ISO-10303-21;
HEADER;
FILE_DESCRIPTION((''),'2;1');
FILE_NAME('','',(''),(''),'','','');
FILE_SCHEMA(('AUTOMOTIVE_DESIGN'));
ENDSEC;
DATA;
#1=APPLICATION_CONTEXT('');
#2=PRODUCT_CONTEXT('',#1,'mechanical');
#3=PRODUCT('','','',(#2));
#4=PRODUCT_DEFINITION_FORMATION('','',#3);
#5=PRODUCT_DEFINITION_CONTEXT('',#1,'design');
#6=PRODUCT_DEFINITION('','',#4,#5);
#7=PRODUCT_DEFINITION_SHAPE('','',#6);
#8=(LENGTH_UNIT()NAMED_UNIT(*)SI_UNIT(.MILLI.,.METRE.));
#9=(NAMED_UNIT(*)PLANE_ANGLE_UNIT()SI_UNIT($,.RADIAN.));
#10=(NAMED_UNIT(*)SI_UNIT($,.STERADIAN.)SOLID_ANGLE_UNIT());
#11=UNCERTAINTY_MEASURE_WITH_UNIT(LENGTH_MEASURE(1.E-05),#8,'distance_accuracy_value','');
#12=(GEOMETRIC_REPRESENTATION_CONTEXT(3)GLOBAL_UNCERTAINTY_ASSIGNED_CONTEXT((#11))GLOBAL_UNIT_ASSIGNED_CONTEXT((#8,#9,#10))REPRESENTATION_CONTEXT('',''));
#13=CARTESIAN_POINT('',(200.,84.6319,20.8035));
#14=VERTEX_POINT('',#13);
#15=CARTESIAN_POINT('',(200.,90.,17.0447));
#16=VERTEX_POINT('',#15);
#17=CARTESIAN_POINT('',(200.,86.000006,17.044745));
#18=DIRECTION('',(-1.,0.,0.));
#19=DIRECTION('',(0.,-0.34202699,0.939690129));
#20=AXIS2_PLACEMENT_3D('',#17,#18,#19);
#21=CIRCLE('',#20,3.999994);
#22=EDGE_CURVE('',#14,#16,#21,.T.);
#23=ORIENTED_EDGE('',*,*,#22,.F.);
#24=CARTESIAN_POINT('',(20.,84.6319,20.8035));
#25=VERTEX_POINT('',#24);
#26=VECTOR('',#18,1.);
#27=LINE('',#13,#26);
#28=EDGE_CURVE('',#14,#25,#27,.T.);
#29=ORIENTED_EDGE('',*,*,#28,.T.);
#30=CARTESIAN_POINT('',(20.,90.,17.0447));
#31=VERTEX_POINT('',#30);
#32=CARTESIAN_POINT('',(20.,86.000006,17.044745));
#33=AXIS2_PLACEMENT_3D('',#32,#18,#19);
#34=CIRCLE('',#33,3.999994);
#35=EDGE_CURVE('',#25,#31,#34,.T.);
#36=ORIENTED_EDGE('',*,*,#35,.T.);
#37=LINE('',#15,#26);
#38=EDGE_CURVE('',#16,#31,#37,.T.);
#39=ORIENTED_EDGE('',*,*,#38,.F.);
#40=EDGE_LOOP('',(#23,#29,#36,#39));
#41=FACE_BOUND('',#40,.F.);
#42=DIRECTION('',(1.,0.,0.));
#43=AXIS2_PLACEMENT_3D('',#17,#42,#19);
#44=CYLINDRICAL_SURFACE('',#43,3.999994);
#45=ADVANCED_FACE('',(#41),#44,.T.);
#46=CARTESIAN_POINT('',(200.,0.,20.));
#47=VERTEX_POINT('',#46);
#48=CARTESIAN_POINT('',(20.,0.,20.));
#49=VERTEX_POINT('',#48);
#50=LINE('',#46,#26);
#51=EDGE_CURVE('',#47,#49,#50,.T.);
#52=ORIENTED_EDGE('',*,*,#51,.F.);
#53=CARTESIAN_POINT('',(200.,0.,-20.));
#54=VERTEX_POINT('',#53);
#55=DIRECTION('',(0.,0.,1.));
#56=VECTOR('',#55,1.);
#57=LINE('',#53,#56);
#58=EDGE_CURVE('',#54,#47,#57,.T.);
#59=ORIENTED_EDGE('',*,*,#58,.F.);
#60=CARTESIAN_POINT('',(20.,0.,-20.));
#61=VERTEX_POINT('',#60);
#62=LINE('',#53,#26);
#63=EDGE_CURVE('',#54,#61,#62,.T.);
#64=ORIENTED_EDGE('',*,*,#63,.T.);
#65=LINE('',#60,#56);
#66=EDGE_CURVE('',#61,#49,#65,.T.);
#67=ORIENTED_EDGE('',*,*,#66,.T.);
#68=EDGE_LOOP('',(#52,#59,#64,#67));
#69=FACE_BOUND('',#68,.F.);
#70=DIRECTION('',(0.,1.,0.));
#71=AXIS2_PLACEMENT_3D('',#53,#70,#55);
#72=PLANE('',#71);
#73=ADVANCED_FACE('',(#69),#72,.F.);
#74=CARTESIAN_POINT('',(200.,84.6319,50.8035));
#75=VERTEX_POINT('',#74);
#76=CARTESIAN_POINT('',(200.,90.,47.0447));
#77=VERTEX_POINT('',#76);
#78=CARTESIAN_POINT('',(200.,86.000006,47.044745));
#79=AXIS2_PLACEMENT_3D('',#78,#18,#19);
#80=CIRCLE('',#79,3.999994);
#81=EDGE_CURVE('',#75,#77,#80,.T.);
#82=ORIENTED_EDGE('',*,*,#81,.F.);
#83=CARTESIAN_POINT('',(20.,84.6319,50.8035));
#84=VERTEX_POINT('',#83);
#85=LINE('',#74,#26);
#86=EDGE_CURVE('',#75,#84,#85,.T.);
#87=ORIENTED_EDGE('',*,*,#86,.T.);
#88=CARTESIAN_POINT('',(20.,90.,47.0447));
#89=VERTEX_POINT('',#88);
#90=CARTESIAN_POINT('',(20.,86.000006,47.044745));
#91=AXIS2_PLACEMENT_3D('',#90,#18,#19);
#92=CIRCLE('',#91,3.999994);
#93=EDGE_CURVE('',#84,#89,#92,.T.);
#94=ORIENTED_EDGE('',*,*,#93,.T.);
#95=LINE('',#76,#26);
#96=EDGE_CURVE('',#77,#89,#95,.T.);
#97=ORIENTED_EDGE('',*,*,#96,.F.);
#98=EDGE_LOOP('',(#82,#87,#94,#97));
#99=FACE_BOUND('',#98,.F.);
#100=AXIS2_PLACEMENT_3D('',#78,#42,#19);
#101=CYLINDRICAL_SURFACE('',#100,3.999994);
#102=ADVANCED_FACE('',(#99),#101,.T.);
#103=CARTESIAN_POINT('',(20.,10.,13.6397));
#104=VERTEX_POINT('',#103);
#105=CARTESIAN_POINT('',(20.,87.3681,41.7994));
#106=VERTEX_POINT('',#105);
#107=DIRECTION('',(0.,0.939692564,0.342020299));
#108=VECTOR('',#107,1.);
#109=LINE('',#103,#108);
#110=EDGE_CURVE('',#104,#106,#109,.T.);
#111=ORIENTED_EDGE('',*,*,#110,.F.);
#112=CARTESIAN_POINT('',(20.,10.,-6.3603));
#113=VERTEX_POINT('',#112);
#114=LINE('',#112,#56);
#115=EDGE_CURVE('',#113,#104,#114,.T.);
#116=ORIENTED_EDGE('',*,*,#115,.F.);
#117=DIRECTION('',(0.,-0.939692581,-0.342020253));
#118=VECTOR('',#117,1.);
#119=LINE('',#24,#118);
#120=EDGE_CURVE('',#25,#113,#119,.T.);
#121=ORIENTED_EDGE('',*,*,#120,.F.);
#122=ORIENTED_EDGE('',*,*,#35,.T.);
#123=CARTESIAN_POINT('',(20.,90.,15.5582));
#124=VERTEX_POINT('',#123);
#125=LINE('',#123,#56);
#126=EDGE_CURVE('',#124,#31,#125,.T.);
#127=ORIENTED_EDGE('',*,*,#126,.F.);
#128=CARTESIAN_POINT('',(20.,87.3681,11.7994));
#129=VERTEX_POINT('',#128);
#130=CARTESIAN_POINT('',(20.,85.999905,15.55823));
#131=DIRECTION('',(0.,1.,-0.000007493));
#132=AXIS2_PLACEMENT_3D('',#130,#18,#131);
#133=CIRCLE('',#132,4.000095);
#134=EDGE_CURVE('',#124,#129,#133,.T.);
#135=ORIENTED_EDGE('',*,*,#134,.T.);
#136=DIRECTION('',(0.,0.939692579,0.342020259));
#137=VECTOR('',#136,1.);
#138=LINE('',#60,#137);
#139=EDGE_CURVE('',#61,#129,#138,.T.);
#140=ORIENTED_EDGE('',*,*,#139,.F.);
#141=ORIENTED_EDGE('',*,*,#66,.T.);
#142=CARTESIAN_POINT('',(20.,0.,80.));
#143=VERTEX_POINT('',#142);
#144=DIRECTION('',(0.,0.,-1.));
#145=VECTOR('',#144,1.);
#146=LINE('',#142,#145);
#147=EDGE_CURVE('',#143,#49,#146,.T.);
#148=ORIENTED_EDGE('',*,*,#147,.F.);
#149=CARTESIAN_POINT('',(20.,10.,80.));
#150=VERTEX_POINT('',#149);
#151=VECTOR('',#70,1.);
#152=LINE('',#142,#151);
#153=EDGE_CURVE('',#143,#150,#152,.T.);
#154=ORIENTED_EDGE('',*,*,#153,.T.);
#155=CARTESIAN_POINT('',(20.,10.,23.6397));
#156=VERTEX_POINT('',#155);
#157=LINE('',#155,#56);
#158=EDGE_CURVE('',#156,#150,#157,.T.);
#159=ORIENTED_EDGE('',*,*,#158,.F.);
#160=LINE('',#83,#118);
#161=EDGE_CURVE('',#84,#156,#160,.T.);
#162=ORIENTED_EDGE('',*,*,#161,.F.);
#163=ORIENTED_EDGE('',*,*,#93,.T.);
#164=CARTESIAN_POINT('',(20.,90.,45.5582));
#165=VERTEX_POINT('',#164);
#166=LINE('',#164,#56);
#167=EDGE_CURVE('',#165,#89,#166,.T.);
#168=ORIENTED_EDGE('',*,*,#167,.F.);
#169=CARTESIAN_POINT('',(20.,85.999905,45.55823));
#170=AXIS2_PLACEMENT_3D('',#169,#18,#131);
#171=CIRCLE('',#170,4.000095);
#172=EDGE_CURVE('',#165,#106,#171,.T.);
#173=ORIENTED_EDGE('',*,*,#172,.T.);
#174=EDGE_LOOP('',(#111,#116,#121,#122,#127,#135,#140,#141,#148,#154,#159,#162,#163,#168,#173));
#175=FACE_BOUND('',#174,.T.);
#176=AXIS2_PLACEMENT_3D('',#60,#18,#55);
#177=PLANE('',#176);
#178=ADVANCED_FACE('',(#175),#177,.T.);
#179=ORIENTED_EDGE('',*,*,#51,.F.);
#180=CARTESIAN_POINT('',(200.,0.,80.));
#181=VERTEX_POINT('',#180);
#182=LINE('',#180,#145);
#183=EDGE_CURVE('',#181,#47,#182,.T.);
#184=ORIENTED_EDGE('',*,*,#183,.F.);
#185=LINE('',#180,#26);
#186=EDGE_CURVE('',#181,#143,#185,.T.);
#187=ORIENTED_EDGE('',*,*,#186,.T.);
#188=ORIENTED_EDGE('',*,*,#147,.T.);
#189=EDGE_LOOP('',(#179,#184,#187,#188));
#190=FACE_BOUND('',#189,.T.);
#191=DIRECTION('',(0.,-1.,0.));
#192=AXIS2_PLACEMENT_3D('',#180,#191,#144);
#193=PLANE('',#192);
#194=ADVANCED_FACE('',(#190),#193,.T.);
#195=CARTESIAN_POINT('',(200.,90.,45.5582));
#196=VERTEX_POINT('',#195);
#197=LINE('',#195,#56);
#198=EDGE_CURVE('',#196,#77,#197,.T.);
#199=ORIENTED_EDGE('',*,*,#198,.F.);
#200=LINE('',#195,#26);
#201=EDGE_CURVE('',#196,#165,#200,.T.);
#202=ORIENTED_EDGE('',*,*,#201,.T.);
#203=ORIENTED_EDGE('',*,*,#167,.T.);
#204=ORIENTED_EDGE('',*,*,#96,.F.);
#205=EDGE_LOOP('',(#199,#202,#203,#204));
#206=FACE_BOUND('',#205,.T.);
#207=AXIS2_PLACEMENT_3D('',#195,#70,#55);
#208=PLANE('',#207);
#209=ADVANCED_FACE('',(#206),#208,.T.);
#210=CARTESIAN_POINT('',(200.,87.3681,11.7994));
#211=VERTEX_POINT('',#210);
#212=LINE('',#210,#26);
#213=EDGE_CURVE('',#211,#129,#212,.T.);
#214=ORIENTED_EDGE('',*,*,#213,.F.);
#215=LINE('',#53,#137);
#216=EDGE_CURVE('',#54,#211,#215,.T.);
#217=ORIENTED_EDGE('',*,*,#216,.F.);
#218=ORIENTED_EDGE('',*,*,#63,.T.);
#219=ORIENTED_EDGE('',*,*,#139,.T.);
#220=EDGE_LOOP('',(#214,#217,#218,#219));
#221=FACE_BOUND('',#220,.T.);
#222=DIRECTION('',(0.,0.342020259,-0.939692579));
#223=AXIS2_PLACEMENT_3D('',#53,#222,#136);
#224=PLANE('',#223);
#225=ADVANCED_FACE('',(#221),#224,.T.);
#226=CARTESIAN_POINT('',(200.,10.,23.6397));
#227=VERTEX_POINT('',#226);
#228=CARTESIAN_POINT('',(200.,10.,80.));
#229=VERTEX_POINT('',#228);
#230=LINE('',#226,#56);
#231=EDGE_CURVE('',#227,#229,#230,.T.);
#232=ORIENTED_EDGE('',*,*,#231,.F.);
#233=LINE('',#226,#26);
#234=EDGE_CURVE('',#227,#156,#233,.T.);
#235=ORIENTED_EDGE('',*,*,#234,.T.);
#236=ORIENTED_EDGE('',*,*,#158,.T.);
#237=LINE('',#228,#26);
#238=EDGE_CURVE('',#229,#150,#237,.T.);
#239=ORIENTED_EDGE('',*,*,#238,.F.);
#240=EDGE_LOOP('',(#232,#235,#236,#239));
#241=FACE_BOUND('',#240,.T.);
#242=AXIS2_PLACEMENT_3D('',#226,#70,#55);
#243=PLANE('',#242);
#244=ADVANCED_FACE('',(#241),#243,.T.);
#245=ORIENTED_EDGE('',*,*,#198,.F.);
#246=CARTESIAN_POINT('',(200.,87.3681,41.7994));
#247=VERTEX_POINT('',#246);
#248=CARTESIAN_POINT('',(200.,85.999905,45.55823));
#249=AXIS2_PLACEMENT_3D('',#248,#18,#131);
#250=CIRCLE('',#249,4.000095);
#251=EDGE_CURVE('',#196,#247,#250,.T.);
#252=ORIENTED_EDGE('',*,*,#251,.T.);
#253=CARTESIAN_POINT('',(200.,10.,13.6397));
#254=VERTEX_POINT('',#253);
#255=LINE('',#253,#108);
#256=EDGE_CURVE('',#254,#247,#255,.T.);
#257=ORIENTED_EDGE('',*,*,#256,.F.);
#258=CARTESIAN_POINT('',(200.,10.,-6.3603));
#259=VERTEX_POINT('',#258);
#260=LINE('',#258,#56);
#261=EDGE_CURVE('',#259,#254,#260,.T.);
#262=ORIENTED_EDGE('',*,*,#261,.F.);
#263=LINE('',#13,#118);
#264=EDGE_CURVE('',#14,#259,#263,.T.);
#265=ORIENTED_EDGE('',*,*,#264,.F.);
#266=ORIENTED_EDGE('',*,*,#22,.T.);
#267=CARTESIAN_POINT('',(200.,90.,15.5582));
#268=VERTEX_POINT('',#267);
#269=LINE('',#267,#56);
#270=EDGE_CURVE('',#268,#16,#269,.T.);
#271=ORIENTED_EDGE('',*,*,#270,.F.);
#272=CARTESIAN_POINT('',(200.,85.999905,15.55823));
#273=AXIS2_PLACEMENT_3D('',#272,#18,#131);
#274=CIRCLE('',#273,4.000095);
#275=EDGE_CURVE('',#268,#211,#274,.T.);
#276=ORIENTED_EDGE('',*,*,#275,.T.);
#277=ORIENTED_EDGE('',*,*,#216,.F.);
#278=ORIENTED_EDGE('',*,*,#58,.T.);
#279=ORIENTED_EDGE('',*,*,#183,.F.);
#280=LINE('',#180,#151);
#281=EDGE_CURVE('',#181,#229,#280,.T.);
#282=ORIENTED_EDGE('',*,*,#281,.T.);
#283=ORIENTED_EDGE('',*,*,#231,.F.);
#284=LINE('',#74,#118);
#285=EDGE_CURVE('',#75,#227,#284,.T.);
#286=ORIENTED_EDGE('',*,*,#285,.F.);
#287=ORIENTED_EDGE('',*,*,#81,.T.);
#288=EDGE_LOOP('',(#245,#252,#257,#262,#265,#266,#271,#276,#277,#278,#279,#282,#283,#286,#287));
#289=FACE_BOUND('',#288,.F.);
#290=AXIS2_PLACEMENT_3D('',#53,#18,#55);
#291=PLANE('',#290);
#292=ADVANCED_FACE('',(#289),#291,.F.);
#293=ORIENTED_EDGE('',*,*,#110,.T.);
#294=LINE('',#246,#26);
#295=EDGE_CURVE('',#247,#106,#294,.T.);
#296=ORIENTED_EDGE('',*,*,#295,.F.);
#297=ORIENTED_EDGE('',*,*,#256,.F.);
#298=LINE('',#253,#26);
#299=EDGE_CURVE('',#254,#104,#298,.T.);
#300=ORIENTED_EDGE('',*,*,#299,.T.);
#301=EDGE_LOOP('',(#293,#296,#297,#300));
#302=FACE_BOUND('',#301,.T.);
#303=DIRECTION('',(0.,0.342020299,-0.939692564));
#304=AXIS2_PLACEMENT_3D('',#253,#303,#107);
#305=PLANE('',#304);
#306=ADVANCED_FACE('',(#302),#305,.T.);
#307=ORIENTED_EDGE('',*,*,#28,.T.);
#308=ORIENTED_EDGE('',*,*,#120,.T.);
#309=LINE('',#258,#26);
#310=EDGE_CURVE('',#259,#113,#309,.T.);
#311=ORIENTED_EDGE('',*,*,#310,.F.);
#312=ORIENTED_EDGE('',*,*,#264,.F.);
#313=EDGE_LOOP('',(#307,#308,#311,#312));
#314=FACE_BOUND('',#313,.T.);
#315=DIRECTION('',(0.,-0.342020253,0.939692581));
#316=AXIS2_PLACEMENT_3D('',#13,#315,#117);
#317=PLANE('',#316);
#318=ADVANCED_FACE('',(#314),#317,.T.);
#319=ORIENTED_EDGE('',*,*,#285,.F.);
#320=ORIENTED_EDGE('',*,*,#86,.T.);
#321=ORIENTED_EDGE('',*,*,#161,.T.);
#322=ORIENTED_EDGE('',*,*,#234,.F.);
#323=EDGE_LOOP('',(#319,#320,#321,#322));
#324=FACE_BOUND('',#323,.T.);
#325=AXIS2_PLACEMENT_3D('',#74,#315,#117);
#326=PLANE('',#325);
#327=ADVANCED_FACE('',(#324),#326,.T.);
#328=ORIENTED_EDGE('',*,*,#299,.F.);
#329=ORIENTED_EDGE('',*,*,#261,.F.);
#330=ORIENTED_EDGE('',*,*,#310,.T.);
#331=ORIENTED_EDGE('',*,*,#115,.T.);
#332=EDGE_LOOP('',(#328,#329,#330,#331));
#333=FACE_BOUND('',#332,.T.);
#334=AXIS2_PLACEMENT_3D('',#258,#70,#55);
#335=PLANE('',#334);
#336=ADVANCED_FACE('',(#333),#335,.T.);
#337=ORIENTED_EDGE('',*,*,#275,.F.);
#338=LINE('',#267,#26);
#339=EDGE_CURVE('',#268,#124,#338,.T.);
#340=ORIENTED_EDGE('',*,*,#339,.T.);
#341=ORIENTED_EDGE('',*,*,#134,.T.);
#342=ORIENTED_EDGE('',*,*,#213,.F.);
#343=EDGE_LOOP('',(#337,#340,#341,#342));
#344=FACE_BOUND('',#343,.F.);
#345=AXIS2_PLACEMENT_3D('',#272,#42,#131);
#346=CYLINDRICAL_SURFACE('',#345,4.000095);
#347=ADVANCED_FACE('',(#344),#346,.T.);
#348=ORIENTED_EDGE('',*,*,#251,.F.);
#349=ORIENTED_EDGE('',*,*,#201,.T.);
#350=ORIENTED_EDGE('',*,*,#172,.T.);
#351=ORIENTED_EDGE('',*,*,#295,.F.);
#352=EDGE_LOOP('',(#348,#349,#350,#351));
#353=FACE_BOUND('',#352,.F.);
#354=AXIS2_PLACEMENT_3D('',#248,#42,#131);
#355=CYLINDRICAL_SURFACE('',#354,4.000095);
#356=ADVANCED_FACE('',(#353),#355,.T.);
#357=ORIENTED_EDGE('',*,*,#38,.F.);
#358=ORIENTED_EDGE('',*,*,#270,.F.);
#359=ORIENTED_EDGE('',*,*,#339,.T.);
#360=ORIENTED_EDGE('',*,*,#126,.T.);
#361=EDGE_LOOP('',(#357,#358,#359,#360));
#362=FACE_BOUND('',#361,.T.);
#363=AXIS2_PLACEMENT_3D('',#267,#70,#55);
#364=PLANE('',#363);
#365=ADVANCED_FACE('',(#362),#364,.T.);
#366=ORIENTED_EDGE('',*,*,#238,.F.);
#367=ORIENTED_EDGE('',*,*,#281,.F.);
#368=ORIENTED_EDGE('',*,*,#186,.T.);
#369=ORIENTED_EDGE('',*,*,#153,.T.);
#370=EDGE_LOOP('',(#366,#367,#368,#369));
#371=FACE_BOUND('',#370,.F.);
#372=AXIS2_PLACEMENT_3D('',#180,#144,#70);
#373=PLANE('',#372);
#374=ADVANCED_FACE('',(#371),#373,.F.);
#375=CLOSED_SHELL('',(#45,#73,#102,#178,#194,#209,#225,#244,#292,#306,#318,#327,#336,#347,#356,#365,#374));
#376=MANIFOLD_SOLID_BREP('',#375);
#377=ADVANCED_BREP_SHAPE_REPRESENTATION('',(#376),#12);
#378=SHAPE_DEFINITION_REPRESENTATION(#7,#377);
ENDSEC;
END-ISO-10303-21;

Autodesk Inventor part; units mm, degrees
ref_plane "YZ Plane" through (0, 0, 0) normal (1, 0, 0) x (0, 1, 0)
ref_plane "XZ Plane" through (0, 0, 0) normal (0, 1, 0) x (-1, 0, 0)
ref_plane "XY Plane" through (0, 0, 0) normal (0, 0, 1) x (1, 0, 0)
ref_plane "Work Plane5" through (200, 0, -20) normal (-1, 0, 0) x (0, 0, 1)
sketch "Sketch7" plane through (200, 0, -20) normal (-1, 0, 0) x (0, 0, 1)
  line L0 (0, 0) -> (10, 0) construction
  line L1 (0, 0) -> (31.7994, 87.3681)
  line L2 (35.5582, 90) -> (37.0447, 90)
  line L3 (40.8035, 84.6319) -> (13.6397, 10)
  line L4 (13.6397, 10) -> (33.6397, 10)
  line L5 (33.6397, 10) -> (61.7994, 87.3681)
  line L6 (65.5582, 90) -> (67.0447, 90)
  line L7 (70.8035, 84.6319) -> (43.6397, 10)
  line L8 (0, 0) -> (40, 0)
  line L9 (0, 0) -> (40, 0) construction
  line L10 (100, 0) -> (100, 10)
  line L11 (43.6397, 10) -> (100, 10)
  line L12 (100, 0) -> (40, 0)
  arc A0 (65.5582, 90) -> (61.7994, 87.3681) centre (65.5582, 86) ccw
  arc A1 (70.8035, 84.6319) -> (67.0447, 90) centre (67.0447, 86) ccw
  arc A2 (35.5582, 90) -> (31.7994, 87.3681) centre (35.5582, 86) ccw
  arc A3 (40.8035, 84.6319) -> (37.0447, 90) centre (37.0447, 86) ccw
  point P0 (20, 0)
  point P1 (62.7573, 90)
  point P2 (40, 0)
  dimension "d42" = 4
extrude "Extrusion4" add sketch "Sketch7" along normal blind 180
properties part number "Stojan"
